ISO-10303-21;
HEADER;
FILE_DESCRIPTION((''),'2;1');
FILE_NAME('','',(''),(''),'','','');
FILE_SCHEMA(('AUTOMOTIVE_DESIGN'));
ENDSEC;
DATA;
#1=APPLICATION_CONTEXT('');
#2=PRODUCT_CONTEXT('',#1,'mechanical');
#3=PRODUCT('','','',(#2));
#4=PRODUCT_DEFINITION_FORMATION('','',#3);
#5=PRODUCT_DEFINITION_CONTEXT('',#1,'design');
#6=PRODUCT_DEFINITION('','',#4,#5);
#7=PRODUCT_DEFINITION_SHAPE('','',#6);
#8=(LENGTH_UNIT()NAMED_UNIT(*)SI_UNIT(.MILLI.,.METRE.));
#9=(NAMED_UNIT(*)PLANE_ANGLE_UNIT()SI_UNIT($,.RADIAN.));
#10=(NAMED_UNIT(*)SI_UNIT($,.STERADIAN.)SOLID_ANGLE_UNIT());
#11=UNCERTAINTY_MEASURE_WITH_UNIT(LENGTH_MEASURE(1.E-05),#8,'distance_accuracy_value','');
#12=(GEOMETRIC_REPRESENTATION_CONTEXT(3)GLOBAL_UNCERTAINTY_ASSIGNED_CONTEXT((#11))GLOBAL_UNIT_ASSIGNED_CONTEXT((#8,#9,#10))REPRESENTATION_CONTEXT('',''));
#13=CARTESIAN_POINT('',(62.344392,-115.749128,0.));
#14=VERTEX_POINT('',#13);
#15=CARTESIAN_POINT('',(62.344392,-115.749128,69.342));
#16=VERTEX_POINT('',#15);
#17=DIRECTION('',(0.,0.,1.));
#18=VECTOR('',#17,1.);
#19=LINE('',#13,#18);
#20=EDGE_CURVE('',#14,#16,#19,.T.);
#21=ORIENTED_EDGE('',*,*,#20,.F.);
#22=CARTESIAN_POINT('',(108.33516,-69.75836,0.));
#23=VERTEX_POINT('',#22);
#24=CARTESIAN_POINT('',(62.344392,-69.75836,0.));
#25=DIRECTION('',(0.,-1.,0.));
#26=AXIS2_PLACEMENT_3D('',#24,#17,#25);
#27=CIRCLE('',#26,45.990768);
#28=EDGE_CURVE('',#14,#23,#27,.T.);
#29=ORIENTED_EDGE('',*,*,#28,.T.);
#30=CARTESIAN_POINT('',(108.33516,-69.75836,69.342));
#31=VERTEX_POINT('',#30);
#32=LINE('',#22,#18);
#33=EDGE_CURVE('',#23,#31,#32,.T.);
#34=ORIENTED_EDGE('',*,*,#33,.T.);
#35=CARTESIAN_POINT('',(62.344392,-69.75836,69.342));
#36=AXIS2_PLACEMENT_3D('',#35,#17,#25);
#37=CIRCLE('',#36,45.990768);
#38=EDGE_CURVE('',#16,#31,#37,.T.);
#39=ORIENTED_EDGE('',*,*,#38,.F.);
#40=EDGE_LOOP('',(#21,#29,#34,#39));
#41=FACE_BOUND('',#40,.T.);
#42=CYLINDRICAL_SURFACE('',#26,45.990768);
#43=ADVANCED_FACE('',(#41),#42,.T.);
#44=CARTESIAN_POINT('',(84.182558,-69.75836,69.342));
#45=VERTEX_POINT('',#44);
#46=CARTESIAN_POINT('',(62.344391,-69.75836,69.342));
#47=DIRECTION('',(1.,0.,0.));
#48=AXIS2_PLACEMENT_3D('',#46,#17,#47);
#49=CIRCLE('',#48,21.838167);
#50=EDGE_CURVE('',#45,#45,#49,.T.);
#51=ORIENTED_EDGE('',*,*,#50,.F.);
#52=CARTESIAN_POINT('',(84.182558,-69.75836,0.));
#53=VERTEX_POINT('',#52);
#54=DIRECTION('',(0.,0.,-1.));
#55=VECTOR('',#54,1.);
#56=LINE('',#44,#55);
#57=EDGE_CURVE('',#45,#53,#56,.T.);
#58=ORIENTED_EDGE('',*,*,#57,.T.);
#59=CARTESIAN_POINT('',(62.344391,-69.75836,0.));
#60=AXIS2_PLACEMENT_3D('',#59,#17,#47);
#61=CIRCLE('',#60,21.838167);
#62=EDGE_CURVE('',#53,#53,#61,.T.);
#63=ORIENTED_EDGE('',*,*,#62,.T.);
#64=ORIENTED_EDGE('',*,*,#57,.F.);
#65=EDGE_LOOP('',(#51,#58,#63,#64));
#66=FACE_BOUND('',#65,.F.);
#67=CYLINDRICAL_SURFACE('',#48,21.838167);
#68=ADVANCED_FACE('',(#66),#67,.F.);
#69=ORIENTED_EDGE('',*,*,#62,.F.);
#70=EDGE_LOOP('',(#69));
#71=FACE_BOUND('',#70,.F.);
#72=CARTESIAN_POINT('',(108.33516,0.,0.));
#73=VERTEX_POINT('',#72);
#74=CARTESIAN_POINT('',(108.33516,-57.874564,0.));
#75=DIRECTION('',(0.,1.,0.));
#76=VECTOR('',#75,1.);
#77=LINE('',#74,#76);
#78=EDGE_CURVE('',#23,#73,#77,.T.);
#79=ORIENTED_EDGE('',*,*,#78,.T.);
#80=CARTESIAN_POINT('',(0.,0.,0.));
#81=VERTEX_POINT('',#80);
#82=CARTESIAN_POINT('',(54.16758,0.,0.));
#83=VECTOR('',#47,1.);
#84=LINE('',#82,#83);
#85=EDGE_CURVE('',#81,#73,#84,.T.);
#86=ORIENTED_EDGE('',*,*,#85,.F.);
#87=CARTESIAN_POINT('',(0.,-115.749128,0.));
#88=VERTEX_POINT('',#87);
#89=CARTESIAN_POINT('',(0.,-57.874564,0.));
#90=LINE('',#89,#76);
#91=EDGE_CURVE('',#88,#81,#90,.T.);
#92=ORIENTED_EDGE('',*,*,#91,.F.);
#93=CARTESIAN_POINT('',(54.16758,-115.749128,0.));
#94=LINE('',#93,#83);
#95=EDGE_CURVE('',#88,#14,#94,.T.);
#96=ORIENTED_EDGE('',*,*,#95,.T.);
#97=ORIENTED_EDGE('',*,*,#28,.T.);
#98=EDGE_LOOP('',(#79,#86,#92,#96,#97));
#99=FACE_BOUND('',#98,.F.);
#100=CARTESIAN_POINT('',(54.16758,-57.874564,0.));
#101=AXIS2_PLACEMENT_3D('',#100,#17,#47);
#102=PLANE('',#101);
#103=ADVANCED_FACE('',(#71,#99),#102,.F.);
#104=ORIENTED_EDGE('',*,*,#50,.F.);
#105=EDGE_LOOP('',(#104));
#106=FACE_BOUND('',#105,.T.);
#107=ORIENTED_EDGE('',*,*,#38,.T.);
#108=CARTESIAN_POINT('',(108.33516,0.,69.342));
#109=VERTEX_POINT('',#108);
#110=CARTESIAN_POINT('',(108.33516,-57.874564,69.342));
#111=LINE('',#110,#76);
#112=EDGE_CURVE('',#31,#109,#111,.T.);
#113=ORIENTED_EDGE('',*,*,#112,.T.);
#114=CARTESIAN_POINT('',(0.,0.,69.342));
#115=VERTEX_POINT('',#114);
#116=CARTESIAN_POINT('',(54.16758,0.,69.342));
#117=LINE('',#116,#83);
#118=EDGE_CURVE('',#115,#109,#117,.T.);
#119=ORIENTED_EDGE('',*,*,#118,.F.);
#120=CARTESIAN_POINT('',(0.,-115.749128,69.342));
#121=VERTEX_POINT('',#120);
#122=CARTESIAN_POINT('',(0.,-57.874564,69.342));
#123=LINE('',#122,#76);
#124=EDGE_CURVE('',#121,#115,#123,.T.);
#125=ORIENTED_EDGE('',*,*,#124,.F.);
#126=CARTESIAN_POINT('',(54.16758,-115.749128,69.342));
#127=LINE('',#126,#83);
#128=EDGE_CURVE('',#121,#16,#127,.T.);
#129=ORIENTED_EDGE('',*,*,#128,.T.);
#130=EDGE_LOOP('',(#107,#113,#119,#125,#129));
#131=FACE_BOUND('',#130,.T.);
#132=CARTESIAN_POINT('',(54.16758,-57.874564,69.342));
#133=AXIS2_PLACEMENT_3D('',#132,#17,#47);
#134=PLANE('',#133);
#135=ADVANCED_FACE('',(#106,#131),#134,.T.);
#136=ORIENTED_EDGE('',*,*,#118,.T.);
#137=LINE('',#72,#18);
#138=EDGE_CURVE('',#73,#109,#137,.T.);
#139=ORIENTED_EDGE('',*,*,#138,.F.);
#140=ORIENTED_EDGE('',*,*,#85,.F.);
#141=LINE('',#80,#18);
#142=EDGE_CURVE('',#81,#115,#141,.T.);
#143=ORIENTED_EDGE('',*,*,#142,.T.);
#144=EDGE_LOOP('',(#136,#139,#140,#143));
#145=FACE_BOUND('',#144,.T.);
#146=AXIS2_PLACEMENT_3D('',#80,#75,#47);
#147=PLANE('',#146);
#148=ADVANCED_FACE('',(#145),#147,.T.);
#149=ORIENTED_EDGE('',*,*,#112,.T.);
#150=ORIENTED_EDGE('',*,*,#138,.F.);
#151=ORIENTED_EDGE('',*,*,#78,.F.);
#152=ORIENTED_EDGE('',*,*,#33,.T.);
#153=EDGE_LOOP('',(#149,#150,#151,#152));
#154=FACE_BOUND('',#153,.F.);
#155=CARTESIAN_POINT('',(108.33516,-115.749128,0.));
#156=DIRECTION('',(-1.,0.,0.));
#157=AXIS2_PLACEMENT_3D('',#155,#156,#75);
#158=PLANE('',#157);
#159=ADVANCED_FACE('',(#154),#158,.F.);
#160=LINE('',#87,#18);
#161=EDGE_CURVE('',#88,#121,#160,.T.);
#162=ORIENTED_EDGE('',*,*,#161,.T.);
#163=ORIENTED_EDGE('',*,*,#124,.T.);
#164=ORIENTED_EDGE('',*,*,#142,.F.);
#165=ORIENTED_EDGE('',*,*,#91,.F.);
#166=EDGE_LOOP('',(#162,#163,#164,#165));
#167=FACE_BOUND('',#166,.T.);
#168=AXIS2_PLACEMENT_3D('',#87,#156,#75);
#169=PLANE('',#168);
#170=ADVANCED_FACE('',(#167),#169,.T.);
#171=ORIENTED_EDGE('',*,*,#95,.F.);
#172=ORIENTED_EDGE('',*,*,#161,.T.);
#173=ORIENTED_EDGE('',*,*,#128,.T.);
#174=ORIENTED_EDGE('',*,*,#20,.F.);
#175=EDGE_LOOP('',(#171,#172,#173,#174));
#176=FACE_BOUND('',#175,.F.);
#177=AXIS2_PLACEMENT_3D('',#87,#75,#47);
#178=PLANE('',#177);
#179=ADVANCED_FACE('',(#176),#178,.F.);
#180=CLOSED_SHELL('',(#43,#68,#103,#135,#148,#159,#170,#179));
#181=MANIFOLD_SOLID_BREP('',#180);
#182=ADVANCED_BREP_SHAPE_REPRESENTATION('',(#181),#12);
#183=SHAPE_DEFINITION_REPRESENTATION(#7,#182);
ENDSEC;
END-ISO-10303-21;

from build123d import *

# Parameters (mm, degrees)
F0_W     = 108.33516
F0_H     = 115.749128
F1_DEPTH = 69.342
F2_R     = 45.990768
F3_R     = 21.838167
F4_DEPTH = 89.916


with BuildPart() as f1:
    # F0 (on Top) → F1 (new body)
    with BuildSketch(Plane.XY):
        with Locations((54.16758, -57.874564)):
            Rectangle(F0_W, F0_H)
    extrude(amount=F1_DEPTH)

    # F2
    f2_edges = [f1.edges().sort_by_distance(p)[0] for p in [
        (108.33516, -115.749128, 34.671),
    ]]
    fillet(f2_edges, radius=F2_R)

    # F3 (on face) → F4 (cut)
    with BuildSketch(Plane.XY.offset(69.342)):
        with Locations((62.344391, -69.75836)):
            Circle(F3_R)
    extrude(amount=-F4_DEPTH, mode=Mode.SUBTRACT)


solid = f1.part
